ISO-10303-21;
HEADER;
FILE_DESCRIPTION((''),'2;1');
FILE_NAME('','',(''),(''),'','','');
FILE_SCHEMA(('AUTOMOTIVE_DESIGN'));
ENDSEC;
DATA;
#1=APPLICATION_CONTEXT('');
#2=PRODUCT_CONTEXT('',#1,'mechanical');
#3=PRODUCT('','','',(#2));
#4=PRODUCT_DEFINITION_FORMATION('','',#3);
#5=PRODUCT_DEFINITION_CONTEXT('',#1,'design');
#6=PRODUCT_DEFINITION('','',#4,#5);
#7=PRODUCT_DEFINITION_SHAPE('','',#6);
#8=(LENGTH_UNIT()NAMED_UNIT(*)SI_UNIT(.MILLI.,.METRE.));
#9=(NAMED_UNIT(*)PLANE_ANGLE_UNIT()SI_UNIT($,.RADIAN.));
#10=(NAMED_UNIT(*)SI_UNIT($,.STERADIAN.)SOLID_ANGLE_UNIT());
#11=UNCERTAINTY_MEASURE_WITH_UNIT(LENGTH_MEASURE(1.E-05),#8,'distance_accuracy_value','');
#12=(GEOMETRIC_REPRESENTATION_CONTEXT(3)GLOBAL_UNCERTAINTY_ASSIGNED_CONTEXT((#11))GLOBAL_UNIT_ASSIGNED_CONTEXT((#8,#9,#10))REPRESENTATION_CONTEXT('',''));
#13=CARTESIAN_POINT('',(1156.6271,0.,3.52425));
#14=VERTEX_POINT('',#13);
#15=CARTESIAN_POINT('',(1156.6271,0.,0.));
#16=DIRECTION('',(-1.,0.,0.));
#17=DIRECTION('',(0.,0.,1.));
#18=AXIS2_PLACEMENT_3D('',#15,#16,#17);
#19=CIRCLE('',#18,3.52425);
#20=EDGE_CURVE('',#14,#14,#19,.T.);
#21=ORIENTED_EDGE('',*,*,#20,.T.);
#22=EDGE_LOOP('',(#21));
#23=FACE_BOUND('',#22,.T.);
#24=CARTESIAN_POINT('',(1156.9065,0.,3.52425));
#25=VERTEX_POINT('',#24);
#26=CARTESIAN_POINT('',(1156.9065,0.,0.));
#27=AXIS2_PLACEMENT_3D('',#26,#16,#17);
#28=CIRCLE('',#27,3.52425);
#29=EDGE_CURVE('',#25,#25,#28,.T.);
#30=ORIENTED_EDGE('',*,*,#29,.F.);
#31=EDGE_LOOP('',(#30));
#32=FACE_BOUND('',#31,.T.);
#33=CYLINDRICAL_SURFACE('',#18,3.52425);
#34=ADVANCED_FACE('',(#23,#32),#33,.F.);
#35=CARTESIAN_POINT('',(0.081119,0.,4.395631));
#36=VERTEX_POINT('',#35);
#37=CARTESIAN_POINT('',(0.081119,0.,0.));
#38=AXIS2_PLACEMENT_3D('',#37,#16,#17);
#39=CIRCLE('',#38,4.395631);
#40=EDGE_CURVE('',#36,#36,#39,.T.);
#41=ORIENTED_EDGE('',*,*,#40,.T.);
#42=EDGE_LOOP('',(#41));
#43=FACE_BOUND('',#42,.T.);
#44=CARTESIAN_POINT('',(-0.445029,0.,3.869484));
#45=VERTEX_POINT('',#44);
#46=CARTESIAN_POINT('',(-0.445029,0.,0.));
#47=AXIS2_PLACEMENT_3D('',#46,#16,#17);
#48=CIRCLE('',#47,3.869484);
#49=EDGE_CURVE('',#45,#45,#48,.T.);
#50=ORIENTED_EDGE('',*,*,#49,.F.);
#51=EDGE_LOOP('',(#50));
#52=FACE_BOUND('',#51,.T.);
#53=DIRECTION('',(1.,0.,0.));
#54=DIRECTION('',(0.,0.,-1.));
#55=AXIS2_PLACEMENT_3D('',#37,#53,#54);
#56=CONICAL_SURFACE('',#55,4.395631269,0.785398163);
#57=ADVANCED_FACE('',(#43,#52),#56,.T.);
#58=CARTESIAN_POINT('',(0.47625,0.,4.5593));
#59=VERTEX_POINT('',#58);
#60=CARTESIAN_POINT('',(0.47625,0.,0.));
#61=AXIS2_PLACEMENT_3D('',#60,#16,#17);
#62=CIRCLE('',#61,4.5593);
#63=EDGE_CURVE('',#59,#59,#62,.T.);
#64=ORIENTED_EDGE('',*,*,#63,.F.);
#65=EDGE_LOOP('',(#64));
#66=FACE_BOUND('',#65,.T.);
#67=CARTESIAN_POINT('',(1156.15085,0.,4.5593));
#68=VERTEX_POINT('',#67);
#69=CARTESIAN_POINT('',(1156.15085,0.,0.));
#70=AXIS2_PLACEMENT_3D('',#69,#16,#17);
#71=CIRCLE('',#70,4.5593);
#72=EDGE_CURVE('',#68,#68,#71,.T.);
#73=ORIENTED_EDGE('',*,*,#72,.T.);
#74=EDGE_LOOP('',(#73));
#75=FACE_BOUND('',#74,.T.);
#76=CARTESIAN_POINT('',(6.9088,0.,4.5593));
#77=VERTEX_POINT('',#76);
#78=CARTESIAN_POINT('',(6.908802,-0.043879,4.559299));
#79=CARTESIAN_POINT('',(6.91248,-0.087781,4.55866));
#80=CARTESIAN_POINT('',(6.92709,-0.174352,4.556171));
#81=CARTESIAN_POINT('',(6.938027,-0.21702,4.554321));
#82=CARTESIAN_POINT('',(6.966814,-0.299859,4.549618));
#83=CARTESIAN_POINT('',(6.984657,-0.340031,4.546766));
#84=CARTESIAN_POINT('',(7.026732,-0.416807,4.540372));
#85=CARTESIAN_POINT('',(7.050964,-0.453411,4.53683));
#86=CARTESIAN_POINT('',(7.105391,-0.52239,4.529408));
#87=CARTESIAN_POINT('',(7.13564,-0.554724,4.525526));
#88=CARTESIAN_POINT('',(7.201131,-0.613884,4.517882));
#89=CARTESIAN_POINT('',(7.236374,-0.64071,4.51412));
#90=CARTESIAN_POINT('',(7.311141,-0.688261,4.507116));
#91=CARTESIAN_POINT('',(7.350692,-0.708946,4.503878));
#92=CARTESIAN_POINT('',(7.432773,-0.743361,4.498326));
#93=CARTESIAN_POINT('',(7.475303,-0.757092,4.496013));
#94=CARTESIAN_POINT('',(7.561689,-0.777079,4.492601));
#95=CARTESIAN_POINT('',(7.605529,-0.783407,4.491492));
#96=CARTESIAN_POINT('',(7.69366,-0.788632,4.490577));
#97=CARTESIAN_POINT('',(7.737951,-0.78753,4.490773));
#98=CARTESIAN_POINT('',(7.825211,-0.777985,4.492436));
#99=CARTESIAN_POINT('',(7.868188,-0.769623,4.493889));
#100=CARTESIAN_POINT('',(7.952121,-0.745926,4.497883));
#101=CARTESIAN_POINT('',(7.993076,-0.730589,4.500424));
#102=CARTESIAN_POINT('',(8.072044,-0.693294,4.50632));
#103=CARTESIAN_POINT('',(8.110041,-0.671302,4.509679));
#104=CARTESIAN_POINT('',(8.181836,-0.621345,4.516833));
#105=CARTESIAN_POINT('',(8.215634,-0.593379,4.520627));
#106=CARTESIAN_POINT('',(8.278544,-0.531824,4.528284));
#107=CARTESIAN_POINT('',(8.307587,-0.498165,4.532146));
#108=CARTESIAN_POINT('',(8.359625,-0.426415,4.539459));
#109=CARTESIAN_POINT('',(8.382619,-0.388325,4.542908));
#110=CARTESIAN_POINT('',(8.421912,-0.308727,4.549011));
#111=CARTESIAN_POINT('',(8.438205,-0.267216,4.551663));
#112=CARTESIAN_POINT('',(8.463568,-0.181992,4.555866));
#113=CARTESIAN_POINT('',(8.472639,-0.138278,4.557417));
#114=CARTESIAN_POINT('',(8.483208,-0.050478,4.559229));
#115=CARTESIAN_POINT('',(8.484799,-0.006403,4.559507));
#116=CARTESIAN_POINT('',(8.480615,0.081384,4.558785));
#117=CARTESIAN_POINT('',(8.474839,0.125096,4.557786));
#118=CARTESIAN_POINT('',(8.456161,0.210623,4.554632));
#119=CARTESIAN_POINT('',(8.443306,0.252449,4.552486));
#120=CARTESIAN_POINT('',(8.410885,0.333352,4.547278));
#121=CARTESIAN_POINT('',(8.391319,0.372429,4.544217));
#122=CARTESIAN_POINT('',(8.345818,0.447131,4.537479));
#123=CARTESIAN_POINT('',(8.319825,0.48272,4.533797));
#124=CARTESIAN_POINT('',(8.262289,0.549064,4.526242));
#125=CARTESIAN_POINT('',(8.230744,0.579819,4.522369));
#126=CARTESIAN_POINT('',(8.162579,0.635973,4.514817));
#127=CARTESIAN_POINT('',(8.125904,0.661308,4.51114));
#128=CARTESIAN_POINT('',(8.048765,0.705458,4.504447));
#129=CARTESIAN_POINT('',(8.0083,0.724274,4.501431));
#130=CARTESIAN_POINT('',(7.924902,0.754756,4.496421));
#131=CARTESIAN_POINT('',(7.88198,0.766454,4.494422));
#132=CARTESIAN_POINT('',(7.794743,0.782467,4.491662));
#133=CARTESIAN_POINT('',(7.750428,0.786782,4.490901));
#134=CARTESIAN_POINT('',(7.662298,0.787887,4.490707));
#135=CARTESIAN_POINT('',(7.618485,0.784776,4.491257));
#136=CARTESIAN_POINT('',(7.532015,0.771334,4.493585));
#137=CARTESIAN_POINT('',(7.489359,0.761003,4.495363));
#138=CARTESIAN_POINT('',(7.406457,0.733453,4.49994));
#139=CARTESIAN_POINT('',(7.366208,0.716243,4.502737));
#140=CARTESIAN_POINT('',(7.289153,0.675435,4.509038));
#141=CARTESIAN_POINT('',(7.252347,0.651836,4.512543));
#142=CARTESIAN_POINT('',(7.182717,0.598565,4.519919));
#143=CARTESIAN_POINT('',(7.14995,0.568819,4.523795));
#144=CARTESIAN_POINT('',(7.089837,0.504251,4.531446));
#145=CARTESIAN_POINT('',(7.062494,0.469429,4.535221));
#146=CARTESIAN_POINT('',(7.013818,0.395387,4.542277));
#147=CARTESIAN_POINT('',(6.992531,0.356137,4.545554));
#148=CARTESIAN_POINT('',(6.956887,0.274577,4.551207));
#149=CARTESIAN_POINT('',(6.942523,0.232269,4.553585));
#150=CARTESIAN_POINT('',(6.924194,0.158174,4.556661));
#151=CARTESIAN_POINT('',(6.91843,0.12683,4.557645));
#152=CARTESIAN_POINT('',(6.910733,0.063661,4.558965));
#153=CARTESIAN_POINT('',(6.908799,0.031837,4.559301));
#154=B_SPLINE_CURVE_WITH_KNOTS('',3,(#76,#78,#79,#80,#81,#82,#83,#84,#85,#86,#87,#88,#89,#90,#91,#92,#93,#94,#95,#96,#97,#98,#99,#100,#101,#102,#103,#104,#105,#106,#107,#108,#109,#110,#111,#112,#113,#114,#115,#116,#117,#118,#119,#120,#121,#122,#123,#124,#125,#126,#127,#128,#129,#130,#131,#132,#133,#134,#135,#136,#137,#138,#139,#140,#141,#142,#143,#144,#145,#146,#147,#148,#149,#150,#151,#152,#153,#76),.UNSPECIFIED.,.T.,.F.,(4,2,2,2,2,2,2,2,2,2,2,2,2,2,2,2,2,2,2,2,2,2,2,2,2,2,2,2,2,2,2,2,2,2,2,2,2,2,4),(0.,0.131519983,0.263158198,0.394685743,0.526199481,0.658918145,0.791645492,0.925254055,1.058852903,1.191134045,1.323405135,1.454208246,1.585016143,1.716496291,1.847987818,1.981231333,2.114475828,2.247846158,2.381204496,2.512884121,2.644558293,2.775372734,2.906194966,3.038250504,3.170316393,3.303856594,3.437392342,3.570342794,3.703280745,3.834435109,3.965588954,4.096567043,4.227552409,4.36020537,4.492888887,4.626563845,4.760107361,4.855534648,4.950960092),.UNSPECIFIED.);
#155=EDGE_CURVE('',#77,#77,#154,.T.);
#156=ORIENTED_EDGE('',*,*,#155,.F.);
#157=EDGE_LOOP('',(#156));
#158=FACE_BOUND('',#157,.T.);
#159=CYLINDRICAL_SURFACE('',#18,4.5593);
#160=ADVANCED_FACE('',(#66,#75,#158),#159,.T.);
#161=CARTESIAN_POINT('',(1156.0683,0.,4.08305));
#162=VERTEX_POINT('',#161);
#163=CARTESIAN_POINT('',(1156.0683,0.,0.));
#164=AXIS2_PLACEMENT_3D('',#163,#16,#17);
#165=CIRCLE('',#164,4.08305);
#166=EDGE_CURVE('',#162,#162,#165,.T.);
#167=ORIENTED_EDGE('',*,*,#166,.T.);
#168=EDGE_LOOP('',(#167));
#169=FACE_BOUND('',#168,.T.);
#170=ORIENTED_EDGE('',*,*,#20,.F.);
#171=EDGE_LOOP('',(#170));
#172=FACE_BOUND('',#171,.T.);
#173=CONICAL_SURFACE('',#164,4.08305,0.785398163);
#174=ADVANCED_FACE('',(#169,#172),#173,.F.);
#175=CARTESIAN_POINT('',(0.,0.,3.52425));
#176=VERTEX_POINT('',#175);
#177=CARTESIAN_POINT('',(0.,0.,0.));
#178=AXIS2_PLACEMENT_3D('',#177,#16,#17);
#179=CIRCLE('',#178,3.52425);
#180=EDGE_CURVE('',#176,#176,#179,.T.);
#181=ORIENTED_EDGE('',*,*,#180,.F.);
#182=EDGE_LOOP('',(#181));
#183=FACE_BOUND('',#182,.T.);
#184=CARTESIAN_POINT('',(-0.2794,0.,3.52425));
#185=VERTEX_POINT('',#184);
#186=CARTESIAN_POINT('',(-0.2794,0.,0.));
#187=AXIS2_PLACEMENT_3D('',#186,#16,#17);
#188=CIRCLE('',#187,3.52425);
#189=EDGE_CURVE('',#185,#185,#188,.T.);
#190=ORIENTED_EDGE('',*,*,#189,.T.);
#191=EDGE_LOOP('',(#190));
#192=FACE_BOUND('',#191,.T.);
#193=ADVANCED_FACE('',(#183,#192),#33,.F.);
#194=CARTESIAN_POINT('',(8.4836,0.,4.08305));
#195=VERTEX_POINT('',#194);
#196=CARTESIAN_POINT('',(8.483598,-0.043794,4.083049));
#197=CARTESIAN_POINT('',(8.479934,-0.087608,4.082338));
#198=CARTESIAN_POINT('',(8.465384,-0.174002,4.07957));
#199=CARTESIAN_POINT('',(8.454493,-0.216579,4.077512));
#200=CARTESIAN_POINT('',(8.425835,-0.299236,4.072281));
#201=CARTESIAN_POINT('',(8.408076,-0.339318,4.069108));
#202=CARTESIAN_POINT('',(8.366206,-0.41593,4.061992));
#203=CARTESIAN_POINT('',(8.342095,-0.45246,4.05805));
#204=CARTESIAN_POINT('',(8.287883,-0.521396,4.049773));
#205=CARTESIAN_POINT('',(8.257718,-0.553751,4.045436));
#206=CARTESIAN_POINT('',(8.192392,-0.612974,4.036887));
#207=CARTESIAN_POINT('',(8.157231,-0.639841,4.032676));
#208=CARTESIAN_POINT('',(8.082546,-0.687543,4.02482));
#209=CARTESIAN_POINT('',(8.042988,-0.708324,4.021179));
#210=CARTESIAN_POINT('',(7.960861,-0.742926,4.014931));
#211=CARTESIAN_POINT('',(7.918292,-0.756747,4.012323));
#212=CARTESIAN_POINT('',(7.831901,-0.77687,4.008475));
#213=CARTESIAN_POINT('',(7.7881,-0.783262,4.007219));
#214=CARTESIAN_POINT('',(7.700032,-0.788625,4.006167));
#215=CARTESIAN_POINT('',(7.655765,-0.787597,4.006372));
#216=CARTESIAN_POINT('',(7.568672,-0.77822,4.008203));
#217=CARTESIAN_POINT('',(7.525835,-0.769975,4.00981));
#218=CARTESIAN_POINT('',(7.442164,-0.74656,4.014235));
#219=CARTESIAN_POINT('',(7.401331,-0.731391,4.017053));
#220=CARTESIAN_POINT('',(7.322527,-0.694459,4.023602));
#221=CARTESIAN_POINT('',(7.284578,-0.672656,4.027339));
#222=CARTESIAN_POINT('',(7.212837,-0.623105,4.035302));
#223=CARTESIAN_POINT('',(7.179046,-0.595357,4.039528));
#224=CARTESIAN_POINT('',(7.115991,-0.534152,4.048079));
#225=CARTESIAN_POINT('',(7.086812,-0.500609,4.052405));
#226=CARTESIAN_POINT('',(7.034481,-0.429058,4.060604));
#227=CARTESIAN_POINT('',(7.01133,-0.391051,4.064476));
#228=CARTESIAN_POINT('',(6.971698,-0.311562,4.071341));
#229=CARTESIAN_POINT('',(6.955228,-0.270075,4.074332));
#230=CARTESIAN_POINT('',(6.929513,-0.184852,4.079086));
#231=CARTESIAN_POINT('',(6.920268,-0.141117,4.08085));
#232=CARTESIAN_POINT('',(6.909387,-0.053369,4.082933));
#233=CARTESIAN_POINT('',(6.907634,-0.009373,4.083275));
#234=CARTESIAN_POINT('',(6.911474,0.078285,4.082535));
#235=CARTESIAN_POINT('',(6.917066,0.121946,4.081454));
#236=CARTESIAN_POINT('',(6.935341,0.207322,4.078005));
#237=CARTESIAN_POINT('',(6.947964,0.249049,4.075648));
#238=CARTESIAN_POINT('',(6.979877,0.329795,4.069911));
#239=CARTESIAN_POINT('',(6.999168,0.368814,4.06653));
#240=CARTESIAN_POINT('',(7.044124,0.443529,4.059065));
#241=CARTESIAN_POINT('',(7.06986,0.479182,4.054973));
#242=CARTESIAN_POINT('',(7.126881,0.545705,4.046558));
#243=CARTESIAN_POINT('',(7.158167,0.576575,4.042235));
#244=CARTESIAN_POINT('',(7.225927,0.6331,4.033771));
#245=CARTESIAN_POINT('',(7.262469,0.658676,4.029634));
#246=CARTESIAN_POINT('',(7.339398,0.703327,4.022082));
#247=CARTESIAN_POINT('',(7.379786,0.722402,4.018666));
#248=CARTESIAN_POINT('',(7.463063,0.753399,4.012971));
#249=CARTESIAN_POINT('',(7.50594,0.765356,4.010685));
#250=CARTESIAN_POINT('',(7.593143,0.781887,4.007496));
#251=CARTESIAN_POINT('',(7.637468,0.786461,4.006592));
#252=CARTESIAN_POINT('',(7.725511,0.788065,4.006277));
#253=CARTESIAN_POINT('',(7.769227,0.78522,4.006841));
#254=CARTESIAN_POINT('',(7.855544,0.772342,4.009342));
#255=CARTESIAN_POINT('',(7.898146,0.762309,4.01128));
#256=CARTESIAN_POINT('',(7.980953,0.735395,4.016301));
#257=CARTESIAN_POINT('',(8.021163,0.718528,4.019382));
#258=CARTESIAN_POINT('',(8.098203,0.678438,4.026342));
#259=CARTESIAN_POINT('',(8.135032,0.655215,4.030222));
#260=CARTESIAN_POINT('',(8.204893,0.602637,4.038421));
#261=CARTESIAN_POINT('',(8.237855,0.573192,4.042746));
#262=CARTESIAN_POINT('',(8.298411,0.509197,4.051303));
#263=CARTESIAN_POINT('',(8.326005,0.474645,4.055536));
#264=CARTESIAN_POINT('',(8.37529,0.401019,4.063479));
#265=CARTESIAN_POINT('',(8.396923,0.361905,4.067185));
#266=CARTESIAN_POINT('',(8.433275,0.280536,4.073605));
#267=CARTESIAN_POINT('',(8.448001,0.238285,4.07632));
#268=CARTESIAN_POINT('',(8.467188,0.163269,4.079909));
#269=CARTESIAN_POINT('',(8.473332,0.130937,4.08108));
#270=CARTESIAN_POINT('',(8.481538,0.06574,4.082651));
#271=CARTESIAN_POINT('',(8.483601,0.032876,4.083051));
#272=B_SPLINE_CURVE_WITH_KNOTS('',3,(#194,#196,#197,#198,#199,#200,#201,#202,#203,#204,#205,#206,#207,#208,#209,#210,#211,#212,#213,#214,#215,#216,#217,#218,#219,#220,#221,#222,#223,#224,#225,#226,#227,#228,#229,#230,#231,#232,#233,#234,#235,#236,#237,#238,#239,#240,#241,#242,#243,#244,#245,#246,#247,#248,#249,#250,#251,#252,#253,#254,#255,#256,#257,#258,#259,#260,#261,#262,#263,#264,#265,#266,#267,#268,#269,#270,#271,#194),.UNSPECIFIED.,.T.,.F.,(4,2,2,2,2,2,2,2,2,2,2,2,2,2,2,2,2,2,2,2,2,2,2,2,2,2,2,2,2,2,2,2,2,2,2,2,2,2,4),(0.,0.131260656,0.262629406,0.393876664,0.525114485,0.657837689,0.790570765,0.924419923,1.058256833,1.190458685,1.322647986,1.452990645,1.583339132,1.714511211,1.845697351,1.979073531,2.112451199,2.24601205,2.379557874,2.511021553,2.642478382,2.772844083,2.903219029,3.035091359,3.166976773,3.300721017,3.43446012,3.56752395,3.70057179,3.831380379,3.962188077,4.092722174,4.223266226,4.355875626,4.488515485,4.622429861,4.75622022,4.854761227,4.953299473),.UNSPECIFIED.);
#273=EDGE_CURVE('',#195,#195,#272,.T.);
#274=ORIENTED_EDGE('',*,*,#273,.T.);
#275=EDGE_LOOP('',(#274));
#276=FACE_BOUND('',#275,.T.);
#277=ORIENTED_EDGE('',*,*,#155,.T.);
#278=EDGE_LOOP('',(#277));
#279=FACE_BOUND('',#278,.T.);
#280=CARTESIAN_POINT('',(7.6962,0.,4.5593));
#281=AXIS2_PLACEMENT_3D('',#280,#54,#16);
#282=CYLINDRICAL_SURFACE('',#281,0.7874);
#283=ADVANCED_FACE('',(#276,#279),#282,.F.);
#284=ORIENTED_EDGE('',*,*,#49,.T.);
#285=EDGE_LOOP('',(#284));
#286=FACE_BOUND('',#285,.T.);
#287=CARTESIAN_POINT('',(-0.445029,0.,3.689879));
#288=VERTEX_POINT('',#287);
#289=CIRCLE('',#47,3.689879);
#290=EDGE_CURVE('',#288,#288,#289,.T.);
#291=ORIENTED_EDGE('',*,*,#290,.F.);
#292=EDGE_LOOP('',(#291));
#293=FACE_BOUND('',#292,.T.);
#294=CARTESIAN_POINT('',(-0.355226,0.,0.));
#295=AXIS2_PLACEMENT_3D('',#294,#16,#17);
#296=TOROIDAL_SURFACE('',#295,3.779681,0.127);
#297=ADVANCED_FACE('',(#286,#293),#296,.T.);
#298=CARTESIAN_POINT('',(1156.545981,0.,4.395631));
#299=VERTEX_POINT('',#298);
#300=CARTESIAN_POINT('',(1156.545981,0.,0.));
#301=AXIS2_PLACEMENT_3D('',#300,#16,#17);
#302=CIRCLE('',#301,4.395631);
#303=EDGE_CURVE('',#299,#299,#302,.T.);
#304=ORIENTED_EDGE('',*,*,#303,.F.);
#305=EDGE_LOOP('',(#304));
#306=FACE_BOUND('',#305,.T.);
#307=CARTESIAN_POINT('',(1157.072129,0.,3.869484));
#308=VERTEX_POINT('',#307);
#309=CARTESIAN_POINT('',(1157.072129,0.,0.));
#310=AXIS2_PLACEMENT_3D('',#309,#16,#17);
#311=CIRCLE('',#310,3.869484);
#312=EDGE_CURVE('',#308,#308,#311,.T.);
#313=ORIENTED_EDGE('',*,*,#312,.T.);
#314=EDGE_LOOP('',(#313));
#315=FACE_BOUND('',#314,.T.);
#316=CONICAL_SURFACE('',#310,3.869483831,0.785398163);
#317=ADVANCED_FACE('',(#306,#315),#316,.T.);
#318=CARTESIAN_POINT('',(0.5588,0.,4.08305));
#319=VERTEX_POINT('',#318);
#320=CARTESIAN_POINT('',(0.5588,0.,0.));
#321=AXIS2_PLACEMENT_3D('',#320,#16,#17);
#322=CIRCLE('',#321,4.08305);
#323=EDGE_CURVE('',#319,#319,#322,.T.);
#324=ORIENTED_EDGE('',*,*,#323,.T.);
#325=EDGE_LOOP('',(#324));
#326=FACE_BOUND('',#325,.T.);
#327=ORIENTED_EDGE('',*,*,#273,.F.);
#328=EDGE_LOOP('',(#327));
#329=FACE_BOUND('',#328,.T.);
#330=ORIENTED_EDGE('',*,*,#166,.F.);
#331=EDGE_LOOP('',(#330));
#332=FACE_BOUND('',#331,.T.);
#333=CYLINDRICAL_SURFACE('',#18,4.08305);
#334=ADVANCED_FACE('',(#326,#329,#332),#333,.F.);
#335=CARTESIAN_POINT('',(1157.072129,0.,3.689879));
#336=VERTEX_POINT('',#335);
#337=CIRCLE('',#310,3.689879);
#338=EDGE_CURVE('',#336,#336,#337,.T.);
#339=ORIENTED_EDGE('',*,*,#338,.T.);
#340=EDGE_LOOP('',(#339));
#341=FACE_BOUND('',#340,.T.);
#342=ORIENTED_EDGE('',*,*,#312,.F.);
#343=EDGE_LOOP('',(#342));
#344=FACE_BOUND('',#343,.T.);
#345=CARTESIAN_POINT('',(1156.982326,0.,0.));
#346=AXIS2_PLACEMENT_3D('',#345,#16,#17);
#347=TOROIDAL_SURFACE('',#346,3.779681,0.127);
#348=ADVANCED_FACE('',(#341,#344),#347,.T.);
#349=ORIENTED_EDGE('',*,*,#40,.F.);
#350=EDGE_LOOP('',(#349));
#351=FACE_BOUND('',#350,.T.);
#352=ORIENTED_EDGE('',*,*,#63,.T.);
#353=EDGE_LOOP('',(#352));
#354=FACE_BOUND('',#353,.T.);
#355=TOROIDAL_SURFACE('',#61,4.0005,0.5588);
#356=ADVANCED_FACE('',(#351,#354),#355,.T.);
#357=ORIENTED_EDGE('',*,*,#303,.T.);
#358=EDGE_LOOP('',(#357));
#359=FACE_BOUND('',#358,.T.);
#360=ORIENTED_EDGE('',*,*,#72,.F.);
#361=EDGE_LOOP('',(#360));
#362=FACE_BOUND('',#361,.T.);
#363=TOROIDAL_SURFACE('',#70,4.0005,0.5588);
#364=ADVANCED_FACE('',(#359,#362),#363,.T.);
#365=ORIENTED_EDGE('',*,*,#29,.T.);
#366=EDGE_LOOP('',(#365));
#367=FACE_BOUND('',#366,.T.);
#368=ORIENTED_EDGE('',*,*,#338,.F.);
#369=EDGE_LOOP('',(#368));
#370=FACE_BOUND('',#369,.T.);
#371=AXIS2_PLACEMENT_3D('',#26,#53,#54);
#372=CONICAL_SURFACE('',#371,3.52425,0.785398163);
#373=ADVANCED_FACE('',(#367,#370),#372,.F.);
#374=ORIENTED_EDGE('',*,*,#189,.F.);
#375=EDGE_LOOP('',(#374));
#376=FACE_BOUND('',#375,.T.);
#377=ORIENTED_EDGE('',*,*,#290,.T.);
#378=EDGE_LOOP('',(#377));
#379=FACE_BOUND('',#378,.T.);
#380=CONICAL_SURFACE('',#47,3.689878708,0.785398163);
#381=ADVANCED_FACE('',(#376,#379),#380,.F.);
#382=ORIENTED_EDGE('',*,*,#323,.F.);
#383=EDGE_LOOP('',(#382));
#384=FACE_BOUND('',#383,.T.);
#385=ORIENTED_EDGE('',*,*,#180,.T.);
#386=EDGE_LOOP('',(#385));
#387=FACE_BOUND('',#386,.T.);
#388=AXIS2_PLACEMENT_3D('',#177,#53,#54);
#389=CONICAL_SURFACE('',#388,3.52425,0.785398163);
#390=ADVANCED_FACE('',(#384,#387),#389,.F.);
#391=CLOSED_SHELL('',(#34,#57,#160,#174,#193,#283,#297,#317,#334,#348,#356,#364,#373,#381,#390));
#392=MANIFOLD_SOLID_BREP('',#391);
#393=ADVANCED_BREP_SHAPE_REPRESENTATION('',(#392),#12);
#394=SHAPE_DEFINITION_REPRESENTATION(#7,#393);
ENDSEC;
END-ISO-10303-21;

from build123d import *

# Parameters (mm, degrees)
SKETCH2_R          = 0.7874
CUT_EXTRUDE1_DEPTH = 4.5593


with BuildPart() as part:
    # Sketch1 → Revolve1 (revolve)
    with BuildSketch(Plane.XY):
        with BuildLine():
            Line((-0.445028708, 3.689878708), (-0.2794, 3.52425))
            Line((-0.2794, 3.52425), (0, 3.52425))
            Line((0, 3.52425), (0.5588, 4.08305))
            Line((0.5588, 4.08305), (1156.0683, 4.08305))
            Line((1156.0683, 4.08305), (1156.6271, 3.52425))
            Line((1156.6271, 3.52425), (1156.9065, 3.52425))
            Line((1156.9065, 3.52425), (1157.072128708, 3.689878708))
            ThreePointArc((1157.072128708, 3.689878708), (1157.109326147, 3.779681269), (1157.072128708, 3.869483831))
            Line((1157.072128708, 3.869483831), (1156.545981269, 4.395631269))
            ThreePointArc((1156.545981269, 4.395631269), (1156.364693502, 4.516763883), (1156.15085, 4.5593))
            Line((1156.15085, 4.5593), (0.47625, 4.5593))
            ThreePointArc((0.47625, 4.5593), (0.262406498, 4.516763883), (0.081118731, 4.395631269))
            Line((0.081118731, 4.395631269), (-0.445028708, 3.869483831))
            ThreePointArc((-0.445028708, 3.869483831), (-0.482226147, 3.779681269), (-0.445028708, 3.689878708))
        make_face()
    revolve(axis=Axis((1156.6271, 0, 0), (-1, 0, 0)))

    # Sketch2 → Cut-Extrude1 (cut)
    with BuildSketch(Plane.XY):
        with Locations((7.6962, 0)):
            Circle(SKETCH2_R)
    extrude(amount=CUT_EXTRUDE1_DEPTH, mode=Mode.SUBTRACT)


solid = part.part
